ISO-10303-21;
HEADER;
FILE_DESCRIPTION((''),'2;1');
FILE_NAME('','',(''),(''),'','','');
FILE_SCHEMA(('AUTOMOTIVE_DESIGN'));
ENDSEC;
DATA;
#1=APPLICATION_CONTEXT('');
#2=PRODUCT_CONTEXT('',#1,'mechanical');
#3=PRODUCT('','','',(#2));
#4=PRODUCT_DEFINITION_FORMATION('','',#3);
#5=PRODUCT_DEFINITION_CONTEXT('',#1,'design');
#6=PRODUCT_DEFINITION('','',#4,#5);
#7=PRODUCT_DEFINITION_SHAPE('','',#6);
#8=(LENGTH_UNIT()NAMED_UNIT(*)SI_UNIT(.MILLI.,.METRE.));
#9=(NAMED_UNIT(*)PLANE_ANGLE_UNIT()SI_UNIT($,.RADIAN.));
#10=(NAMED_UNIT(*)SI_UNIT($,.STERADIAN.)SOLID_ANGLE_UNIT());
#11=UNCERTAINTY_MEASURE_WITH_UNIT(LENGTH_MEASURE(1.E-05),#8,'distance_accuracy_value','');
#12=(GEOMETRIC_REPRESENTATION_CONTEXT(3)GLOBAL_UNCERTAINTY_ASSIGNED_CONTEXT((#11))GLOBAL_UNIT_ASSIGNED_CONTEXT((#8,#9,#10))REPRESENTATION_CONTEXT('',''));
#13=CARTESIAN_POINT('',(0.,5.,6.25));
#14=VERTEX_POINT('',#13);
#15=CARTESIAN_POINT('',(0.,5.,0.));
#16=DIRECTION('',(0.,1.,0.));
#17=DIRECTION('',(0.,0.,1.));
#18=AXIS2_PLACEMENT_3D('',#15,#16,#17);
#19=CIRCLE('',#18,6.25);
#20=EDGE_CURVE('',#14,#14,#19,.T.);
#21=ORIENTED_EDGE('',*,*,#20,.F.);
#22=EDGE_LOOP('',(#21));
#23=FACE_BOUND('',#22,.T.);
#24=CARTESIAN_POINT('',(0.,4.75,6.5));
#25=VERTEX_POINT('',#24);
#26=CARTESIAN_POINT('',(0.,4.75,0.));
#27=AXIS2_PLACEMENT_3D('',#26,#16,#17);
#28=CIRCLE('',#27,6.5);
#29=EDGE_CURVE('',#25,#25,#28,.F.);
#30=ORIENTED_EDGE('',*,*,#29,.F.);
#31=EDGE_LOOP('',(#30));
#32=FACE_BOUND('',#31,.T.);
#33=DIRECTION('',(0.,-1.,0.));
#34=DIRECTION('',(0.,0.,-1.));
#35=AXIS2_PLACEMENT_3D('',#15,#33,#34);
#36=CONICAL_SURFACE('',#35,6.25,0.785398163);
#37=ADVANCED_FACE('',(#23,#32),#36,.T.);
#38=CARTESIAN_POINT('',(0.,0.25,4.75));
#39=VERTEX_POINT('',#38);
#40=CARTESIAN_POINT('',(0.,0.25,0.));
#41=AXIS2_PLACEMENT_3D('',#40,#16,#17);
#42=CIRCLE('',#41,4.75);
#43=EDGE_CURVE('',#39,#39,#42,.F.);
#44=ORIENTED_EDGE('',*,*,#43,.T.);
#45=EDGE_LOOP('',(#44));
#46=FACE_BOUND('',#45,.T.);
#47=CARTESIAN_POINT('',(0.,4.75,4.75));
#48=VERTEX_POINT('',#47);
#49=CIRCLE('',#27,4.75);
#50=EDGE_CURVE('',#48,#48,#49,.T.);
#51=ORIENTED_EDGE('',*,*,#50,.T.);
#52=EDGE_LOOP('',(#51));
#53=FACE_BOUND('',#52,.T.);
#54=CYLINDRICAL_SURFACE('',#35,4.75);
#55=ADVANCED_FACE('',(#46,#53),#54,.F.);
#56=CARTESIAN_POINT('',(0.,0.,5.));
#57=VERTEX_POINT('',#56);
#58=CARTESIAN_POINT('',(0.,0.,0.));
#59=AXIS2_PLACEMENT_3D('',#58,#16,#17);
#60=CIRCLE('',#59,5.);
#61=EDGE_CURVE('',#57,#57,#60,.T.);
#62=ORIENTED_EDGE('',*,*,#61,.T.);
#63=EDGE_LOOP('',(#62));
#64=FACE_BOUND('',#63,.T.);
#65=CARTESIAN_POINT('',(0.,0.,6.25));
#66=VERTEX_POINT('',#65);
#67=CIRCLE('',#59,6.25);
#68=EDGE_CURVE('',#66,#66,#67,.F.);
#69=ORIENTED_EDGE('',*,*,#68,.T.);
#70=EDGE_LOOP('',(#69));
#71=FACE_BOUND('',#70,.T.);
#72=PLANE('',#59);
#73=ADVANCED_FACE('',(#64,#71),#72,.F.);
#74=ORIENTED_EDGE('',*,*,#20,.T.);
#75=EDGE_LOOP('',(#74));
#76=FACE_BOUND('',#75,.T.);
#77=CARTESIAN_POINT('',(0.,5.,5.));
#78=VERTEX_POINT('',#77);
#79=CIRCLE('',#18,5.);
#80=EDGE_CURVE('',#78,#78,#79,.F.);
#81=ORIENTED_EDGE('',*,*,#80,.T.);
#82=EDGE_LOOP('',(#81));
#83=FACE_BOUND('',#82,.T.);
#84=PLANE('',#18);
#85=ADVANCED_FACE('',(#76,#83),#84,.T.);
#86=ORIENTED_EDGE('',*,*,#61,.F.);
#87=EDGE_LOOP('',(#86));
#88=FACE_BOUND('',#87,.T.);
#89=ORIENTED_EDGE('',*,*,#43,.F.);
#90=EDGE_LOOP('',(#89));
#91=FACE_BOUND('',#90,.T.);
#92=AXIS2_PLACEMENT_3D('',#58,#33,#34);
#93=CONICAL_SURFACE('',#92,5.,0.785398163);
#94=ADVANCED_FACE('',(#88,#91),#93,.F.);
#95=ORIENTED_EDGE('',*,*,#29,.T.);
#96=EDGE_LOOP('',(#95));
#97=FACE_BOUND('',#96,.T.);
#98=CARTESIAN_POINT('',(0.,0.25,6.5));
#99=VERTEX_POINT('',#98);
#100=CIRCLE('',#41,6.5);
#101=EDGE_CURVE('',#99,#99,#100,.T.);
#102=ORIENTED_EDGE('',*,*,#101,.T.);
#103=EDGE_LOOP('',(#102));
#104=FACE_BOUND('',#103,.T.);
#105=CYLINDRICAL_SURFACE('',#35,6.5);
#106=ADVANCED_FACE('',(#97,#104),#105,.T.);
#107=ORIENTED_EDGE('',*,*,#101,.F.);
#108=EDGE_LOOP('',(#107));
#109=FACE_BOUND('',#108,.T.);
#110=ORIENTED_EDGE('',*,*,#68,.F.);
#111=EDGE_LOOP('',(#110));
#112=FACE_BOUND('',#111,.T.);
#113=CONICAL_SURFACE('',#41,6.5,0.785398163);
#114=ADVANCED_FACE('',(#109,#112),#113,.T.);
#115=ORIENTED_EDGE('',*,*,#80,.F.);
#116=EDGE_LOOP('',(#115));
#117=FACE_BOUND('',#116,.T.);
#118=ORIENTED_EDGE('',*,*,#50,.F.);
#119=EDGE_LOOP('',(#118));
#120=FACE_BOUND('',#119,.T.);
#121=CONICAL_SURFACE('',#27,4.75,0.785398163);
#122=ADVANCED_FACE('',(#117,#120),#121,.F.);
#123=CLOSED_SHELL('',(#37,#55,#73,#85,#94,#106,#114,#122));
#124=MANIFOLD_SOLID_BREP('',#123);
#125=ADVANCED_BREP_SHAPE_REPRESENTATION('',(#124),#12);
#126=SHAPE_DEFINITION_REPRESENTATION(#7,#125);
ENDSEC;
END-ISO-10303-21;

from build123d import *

# Parameters (mm, degrees)
SKETCH1_R           = 6.5
SKETCH1_R_2         = 4.75
BOSS_EXTRUDE1_DEPTH = 5
CHAMFER1_SIZE       = 0.25


with BuildPart() as part:
    # Sketch1 → Boss-Extrude1 (new body)
    with BuildSketch(Plane(origin=(0, 0, 0), x_dir=(1, 0, 0), z_dir=(0, 1, 0))):
        with Locations(Location((0, 0, 0), (0, 0, 270))):
            Circle(SKETCH1_R)
        with Locations(Location((0, 0, 0), (0, 0, 270))):
            Circle(SKETCH1_R_2, mode=Mode.SUBTRACT)
    extrude(amount=BOSS_EXTRUDE1_DEPTH)

    # Chamfer1
    chamfer1_edges = [part.edges().sort_by_distance(p)[0] for p in [
        (0, 0, -6.5),
        (0, 5, -6.5),
        (0, 0, -4.75),
        (0, 5, -4.75),
    ]]
    chamfer(chamfer1_edges, length=CHAMFER1_SIZE)


solid = part.part
